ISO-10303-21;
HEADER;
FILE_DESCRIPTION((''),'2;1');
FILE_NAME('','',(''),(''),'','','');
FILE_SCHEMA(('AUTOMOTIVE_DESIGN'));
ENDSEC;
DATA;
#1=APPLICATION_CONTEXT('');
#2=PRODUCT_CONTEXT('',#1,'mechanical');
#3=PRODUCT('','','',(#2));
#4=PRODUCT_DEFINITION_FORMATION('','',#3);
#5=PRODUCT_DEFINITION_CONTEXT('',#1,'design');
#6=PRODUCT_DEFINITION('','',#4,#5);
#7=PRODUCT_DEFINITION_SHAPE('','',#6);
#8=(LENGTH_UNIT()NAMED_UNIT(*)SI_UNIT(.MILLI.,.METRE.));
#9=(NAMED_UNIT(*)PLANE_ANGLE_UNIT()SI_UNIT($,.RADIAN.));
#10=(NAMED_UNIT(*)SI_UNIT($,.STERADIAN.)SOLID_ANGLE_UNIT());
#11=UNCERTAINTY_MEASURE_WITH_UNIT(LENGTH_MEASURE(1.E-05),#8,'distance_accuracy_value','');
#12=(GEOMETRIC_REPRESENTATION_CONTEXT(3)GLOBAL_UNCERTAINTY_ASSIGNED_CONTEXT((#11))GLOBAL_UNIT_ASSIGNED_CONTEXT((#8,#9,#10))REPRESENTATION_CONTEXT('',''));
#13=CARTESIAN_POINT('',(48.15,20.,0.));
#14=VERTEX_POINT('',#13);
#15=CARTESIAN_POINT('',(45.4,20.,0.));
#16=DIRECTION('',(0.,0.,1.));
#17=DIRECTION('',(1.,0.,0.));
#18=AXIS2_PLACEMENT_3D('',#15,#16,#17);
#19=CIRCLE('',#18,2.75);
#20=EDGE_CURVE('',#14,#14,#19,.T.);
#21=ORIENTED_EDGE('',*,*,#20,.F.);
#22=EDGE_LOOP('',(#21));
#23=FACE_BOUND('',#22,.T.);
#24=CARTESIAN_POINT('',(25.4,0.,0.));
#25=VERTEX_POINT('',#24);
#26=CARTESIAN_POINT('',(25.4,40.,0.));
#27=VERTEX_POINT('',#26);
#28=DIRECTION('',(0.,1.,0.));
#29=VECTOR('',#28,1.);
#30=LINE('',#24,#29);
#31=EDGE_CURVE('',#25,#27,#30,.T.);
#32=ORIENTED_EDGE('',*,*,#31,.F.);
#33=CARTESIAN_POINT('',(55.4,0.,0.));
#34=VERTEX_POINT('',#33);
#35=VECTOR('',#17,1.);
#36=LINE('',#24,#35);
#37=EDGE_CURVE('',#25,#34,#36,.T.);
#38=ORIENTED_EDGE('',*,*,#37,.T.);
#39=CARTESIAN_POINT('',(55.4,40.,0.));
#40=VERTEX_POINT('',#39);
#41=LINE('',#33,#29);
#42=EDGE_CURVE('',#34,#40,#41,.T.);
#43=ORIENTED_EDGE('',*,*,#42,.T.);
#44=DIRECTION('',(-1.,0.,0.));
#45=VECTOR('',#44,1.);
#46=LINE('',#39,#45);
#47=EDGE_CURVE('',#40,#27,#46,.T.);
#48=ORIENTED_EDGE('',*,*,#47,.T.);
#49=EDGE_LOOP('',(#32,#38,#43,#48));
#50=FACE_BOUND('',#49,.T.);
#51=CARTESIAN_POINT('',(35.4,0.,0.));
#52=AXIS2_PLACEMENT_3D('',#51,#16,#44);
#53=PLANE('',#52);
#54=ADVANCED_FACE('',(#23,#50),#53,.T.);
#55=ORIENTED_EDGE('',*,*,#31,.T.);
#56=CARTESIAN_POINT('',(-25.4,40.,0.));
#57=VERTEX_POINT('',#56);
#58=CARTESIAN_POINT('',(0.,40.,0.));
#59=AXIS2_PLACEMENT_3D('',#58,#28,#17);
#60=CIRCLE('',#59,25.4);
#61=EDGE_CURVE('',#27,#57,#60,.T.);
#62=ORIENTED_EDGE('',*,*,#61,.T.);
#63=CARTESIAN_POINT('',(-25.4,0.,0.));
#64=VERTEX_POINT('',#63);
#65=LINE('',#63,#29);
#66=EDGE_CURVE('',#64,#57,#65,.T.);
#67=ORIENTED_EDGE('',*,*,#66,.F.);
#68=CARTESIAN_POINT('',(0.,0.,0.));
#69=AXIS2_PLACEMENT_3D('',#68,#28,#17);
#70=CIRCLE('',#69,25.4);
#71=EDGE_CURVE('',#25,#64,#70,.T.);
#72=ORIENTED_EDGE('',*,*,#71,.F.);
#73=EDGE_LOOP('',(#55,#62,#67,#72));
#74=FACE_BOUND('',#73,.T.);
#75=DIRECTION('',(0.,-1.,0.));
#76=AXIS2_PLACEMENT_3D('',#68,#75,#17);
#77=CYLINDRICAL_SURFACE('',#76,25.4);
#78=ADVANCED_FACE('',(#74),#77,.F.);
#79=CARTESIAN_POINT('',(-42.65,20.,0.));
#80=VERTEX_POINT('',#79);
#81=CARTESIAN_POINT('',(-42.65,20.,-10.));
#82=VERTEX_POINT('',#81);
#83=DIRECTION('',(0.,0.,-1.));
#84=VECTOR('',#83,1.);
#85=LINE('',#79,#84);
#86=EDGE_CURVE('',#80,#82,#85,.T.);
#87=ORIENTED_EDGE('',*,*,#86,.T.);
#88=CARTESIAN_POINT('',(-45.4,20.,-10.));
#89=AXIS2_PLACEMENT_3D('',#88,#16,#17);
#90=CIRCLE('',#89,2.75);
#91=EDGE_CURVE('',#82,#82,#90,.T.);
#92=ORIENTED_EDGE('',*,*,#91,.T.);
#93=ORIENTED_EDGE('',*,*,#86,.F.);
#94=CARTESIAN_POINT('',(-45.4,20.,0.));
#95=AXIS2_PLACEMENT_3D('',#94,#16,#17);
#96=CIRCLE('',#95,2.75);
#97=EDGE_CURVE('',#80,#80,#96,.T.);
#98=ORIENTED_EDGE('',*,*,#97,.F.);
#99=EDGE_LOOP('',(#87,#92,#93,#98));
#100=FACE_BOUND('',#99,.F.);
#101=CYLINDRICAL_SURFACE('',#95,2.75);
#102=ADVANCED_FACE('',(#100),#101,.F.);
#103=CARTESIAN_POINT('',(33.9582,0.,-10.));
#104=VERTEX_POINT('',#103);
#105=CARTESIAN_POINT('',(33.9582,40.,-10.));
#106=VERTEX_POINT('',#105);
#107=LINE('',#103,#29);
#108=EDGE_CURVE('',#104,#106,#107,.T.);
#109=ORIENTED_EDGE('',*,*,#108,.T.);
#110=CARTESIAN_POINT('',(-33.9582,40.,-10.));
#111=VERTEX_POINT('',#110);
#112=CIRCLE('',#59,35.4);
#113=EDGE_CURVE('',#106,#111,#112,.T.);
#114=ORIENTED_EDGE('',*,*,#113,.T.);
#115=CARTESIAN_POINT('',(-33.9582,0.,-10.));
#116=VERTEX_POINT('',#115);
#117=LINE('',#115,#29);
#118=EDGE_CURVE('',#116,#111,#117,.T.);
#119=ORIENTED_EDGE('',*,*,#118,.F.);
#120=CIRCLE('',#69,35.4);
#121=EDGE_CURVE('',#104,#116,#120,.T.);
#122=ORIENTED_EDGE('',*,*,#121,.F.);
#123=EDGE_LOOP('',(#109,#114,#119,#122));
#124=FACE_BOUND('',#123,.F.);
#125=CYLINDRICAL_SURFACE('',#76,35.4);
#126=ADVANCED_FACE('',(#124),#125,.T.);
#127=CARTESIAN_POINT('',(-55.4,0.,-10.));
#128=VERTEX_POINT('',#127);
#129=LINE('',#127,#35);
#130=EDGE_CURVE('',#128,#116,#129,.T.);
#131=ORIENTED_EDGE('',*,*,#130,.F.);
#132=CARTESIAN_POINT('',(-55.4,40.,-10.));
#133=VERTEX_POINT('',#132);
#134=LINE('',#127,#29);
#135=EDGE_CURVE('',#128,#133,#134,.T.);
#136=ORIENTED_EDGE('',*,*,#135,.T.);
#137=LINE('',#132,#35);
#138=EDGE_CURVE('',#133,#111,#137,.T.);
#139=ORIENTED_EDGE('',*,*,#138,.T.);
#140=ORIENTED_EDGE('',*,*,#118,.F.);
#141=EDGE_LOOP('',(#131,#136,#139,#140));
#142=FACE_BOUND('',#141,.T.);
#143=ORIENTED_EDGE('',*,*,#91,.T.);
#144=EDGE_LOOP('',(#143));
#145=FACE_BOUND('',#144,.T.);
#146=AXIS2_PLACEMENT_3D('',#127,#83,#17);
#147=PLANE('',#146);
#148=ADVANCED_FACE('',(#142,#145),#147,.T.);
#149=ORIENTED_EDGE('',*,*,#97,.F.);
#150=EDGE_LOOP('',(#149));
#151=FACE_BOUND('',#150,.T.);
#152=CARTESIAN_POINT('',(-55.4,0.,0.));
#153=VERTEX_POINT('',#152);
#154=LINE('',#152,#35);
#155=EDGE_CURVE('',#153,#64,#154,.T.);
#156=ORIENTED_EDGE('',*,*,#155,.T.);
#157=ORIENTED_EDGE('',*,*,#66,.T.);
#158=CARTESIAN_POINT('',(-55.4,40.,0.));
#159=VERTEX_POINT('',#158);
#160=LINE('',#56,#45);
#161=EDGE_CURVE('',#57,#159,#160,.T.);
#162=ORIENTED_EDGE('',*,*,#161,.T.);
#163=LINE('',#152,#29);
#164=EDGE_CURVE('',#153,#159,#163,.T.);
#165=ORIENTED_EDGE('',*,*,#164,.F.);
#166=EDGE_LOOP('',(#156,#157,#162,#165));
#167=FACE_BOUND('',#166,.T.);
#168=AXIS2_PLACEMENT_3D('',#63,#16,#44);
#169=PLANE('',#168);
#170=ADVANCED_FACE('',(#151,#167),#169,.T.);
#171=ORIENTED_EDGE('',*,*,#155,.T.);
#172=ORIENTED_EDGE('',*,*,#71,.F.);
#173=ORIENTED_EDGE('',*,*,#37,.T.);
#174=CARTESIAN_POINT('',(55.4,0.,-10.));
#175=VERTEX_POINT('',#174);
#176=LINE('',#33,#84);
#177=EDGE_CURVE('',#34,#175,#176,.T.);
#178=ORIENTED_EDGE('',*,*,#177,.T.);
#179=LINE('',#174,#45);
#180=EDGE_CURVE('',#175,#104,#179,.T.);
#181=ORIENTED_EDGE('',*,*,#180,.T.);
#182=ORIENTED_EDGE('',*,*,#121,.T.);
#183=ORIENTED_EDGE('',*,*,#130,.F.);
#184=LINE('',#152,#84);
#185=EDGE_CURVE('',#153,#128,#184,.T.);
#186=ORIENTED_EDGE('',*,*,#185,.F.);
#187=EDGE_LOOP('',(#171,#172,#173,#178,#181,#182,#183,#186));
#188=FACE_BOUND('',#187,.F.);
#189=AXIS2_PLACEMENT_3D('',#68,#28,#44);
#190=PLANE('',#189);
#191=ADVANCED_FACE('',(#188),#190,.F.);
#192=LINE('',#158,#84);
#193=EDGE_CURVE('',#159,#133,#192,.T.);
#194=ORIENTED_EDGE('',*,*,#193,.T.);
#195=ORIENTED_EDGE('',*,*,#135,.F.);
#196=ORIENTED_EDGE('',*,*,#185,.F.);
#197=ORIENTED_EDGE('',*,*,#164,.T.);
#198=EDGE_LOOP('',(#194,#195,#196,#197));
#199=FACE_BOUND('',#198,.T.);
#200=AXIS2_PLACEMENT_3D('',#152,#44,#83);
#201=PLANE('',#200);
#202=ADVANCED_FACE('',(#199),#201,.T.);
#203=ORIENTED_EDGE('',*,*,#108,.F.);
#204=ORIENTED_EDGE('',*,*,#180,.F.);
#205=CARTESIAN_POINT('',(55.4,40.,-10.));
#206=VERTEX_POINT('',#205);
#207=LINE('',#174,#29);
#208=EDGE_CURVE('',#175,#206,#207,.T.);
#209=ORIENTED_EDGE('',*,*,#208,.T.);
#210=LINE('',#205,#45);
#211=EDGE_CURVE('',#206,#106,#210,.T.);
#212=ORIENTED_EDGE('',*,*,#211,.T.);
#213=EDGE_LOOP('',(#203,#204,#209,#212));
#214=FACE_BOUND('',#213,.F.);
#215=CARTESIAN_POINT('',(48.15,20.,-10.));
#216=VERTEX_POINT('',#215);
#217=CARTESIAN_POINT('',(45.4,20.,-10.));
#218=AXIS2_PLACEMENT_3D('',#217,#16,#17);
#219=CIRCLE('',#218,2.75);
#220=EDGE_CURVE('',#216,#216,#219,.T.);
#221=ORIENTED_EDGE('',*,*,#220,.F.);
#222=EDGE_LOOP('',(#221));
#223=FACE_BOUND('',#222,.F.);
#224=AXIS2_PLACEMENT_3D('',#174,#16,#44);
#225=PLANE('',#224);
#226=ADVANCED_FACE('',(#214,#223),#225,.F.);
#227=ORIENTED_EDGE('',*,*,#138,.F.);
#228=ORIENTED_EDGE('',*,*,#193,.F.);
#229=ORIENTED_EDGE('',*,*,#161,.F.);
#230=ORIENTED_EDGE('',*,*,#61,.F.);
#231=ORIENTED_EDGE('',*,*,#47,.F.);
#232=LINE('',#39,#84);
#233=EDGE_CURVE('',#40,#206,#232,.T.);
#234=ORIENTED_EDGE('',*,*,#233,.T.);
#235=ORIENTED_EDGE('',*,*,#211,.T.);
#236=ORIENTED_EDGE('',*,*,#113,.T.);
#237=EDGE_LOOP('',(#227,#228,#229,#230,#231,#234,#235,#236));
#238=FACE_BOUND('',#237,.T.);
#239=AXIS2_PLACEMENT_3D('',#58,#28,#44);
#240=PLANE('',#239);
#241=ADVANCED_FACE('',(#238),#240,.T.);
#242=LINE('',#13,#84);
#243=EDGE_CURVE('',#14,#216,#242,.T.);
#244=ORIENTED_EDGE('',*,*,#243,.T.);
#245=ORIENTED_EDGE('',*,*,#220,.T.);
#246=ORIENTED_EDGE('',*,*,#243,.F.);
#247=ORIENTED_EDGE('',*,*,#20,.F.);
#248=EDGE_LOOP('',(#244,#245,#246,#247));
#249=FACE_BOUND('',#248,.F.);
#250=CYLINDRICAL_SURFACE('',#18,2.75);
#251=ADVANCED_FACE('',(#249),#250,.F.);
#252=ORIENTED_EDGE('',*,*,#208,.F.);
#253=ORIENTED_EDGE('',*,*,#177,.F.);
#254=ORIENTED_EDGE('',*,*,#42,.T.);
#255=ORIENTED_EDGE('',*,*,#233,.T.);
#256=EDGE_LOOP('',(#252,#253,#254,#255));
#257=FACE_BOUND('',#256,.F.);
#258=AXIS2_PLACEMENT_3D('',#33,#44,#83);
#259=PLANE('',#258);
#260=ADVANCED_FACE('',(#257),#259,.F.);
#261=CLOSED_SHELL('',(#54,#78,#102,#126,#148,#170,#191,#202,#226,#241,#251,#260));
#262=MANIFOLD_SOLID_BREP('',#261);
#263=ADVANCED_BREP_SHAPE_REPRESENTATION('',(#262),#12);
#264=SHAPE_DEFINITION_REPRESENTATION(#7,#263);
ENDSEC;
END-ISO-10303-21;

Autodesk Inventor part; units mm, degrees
ref_plane "YZ Plane" through (0, 0, 0) normal (1, 0, 0) x (0, 1, 0)
ref_plane "XZ Plane" through (0, 0, 0) normal (0, 1, 0) x (-1, 0, 0)
ref_plane "XY Plane" through (0, 0, 0) normal (0, 0, 1) x (1, 0, 0)
sketch "Sketch1" plane through (0, 0, 0) normal (0, 1, 0) x (-1, 0, 0)
  arc A0 (-25.4, 0) -> (25.4, 0) centre (0, 0) ccw
  arc A1 (-35.4, 0) -> (35.4, 0) centre (0, 0) ccw
  line L0 (-35.4, 0) -> (-25.4, 0)
  line L1 (25.4, 0) -> (35.4, 0)
  line L2 (35.4, 0) -> (55.4, 0)
  line L3 (55.4, 0) -> (55.4, -10)
  line L4 (55.4, -10) -> (33.9582, -10)
  line L5 (-35.4, 0) -> (-55.4, 0)
  line L6 (-55.4, 0) -> (-55.4, -10)
  line L7 (-55.4, -10) -> (-33.9582, -10)
  dimension "d0" = 50.8
  dimension "d1" = 10
  dimension "d2" = 20
  dimension "d3" = 10
  dimension "d4" = 20
  dimension "d5" = 10
extrude "Extrusion1" add sketch "Sketch1" along normal blind 40
sketch "Sketch2" plane through (-55.4, 0, 0) normal (0, 0, 1) x (1, 0, 0)
  circle A0 centre (10, 20) radius 2.75
  circle A1 centre (100.8, 20) radius 2.75
  line L0 (80.8, 40) -> (110.8, 40) projected
  line L1 (110.8, 0) -> (110.8, 40) projected
  line L2 (0, 0) -> (0, 40) projected
  line L3 (0, 40) -> (30, 40) projected
  point P0 (55.4, 0)
  dimension "d8" = 5.5
  dimension "d9" = 5.5
  dimension "d10" = 20
  dimension "d11" = 10
  dimension "d12" = 10
  dimension "d13" = 20
extrude "Extrusion2" cut sketch "Sketch2" against normal blind 40
